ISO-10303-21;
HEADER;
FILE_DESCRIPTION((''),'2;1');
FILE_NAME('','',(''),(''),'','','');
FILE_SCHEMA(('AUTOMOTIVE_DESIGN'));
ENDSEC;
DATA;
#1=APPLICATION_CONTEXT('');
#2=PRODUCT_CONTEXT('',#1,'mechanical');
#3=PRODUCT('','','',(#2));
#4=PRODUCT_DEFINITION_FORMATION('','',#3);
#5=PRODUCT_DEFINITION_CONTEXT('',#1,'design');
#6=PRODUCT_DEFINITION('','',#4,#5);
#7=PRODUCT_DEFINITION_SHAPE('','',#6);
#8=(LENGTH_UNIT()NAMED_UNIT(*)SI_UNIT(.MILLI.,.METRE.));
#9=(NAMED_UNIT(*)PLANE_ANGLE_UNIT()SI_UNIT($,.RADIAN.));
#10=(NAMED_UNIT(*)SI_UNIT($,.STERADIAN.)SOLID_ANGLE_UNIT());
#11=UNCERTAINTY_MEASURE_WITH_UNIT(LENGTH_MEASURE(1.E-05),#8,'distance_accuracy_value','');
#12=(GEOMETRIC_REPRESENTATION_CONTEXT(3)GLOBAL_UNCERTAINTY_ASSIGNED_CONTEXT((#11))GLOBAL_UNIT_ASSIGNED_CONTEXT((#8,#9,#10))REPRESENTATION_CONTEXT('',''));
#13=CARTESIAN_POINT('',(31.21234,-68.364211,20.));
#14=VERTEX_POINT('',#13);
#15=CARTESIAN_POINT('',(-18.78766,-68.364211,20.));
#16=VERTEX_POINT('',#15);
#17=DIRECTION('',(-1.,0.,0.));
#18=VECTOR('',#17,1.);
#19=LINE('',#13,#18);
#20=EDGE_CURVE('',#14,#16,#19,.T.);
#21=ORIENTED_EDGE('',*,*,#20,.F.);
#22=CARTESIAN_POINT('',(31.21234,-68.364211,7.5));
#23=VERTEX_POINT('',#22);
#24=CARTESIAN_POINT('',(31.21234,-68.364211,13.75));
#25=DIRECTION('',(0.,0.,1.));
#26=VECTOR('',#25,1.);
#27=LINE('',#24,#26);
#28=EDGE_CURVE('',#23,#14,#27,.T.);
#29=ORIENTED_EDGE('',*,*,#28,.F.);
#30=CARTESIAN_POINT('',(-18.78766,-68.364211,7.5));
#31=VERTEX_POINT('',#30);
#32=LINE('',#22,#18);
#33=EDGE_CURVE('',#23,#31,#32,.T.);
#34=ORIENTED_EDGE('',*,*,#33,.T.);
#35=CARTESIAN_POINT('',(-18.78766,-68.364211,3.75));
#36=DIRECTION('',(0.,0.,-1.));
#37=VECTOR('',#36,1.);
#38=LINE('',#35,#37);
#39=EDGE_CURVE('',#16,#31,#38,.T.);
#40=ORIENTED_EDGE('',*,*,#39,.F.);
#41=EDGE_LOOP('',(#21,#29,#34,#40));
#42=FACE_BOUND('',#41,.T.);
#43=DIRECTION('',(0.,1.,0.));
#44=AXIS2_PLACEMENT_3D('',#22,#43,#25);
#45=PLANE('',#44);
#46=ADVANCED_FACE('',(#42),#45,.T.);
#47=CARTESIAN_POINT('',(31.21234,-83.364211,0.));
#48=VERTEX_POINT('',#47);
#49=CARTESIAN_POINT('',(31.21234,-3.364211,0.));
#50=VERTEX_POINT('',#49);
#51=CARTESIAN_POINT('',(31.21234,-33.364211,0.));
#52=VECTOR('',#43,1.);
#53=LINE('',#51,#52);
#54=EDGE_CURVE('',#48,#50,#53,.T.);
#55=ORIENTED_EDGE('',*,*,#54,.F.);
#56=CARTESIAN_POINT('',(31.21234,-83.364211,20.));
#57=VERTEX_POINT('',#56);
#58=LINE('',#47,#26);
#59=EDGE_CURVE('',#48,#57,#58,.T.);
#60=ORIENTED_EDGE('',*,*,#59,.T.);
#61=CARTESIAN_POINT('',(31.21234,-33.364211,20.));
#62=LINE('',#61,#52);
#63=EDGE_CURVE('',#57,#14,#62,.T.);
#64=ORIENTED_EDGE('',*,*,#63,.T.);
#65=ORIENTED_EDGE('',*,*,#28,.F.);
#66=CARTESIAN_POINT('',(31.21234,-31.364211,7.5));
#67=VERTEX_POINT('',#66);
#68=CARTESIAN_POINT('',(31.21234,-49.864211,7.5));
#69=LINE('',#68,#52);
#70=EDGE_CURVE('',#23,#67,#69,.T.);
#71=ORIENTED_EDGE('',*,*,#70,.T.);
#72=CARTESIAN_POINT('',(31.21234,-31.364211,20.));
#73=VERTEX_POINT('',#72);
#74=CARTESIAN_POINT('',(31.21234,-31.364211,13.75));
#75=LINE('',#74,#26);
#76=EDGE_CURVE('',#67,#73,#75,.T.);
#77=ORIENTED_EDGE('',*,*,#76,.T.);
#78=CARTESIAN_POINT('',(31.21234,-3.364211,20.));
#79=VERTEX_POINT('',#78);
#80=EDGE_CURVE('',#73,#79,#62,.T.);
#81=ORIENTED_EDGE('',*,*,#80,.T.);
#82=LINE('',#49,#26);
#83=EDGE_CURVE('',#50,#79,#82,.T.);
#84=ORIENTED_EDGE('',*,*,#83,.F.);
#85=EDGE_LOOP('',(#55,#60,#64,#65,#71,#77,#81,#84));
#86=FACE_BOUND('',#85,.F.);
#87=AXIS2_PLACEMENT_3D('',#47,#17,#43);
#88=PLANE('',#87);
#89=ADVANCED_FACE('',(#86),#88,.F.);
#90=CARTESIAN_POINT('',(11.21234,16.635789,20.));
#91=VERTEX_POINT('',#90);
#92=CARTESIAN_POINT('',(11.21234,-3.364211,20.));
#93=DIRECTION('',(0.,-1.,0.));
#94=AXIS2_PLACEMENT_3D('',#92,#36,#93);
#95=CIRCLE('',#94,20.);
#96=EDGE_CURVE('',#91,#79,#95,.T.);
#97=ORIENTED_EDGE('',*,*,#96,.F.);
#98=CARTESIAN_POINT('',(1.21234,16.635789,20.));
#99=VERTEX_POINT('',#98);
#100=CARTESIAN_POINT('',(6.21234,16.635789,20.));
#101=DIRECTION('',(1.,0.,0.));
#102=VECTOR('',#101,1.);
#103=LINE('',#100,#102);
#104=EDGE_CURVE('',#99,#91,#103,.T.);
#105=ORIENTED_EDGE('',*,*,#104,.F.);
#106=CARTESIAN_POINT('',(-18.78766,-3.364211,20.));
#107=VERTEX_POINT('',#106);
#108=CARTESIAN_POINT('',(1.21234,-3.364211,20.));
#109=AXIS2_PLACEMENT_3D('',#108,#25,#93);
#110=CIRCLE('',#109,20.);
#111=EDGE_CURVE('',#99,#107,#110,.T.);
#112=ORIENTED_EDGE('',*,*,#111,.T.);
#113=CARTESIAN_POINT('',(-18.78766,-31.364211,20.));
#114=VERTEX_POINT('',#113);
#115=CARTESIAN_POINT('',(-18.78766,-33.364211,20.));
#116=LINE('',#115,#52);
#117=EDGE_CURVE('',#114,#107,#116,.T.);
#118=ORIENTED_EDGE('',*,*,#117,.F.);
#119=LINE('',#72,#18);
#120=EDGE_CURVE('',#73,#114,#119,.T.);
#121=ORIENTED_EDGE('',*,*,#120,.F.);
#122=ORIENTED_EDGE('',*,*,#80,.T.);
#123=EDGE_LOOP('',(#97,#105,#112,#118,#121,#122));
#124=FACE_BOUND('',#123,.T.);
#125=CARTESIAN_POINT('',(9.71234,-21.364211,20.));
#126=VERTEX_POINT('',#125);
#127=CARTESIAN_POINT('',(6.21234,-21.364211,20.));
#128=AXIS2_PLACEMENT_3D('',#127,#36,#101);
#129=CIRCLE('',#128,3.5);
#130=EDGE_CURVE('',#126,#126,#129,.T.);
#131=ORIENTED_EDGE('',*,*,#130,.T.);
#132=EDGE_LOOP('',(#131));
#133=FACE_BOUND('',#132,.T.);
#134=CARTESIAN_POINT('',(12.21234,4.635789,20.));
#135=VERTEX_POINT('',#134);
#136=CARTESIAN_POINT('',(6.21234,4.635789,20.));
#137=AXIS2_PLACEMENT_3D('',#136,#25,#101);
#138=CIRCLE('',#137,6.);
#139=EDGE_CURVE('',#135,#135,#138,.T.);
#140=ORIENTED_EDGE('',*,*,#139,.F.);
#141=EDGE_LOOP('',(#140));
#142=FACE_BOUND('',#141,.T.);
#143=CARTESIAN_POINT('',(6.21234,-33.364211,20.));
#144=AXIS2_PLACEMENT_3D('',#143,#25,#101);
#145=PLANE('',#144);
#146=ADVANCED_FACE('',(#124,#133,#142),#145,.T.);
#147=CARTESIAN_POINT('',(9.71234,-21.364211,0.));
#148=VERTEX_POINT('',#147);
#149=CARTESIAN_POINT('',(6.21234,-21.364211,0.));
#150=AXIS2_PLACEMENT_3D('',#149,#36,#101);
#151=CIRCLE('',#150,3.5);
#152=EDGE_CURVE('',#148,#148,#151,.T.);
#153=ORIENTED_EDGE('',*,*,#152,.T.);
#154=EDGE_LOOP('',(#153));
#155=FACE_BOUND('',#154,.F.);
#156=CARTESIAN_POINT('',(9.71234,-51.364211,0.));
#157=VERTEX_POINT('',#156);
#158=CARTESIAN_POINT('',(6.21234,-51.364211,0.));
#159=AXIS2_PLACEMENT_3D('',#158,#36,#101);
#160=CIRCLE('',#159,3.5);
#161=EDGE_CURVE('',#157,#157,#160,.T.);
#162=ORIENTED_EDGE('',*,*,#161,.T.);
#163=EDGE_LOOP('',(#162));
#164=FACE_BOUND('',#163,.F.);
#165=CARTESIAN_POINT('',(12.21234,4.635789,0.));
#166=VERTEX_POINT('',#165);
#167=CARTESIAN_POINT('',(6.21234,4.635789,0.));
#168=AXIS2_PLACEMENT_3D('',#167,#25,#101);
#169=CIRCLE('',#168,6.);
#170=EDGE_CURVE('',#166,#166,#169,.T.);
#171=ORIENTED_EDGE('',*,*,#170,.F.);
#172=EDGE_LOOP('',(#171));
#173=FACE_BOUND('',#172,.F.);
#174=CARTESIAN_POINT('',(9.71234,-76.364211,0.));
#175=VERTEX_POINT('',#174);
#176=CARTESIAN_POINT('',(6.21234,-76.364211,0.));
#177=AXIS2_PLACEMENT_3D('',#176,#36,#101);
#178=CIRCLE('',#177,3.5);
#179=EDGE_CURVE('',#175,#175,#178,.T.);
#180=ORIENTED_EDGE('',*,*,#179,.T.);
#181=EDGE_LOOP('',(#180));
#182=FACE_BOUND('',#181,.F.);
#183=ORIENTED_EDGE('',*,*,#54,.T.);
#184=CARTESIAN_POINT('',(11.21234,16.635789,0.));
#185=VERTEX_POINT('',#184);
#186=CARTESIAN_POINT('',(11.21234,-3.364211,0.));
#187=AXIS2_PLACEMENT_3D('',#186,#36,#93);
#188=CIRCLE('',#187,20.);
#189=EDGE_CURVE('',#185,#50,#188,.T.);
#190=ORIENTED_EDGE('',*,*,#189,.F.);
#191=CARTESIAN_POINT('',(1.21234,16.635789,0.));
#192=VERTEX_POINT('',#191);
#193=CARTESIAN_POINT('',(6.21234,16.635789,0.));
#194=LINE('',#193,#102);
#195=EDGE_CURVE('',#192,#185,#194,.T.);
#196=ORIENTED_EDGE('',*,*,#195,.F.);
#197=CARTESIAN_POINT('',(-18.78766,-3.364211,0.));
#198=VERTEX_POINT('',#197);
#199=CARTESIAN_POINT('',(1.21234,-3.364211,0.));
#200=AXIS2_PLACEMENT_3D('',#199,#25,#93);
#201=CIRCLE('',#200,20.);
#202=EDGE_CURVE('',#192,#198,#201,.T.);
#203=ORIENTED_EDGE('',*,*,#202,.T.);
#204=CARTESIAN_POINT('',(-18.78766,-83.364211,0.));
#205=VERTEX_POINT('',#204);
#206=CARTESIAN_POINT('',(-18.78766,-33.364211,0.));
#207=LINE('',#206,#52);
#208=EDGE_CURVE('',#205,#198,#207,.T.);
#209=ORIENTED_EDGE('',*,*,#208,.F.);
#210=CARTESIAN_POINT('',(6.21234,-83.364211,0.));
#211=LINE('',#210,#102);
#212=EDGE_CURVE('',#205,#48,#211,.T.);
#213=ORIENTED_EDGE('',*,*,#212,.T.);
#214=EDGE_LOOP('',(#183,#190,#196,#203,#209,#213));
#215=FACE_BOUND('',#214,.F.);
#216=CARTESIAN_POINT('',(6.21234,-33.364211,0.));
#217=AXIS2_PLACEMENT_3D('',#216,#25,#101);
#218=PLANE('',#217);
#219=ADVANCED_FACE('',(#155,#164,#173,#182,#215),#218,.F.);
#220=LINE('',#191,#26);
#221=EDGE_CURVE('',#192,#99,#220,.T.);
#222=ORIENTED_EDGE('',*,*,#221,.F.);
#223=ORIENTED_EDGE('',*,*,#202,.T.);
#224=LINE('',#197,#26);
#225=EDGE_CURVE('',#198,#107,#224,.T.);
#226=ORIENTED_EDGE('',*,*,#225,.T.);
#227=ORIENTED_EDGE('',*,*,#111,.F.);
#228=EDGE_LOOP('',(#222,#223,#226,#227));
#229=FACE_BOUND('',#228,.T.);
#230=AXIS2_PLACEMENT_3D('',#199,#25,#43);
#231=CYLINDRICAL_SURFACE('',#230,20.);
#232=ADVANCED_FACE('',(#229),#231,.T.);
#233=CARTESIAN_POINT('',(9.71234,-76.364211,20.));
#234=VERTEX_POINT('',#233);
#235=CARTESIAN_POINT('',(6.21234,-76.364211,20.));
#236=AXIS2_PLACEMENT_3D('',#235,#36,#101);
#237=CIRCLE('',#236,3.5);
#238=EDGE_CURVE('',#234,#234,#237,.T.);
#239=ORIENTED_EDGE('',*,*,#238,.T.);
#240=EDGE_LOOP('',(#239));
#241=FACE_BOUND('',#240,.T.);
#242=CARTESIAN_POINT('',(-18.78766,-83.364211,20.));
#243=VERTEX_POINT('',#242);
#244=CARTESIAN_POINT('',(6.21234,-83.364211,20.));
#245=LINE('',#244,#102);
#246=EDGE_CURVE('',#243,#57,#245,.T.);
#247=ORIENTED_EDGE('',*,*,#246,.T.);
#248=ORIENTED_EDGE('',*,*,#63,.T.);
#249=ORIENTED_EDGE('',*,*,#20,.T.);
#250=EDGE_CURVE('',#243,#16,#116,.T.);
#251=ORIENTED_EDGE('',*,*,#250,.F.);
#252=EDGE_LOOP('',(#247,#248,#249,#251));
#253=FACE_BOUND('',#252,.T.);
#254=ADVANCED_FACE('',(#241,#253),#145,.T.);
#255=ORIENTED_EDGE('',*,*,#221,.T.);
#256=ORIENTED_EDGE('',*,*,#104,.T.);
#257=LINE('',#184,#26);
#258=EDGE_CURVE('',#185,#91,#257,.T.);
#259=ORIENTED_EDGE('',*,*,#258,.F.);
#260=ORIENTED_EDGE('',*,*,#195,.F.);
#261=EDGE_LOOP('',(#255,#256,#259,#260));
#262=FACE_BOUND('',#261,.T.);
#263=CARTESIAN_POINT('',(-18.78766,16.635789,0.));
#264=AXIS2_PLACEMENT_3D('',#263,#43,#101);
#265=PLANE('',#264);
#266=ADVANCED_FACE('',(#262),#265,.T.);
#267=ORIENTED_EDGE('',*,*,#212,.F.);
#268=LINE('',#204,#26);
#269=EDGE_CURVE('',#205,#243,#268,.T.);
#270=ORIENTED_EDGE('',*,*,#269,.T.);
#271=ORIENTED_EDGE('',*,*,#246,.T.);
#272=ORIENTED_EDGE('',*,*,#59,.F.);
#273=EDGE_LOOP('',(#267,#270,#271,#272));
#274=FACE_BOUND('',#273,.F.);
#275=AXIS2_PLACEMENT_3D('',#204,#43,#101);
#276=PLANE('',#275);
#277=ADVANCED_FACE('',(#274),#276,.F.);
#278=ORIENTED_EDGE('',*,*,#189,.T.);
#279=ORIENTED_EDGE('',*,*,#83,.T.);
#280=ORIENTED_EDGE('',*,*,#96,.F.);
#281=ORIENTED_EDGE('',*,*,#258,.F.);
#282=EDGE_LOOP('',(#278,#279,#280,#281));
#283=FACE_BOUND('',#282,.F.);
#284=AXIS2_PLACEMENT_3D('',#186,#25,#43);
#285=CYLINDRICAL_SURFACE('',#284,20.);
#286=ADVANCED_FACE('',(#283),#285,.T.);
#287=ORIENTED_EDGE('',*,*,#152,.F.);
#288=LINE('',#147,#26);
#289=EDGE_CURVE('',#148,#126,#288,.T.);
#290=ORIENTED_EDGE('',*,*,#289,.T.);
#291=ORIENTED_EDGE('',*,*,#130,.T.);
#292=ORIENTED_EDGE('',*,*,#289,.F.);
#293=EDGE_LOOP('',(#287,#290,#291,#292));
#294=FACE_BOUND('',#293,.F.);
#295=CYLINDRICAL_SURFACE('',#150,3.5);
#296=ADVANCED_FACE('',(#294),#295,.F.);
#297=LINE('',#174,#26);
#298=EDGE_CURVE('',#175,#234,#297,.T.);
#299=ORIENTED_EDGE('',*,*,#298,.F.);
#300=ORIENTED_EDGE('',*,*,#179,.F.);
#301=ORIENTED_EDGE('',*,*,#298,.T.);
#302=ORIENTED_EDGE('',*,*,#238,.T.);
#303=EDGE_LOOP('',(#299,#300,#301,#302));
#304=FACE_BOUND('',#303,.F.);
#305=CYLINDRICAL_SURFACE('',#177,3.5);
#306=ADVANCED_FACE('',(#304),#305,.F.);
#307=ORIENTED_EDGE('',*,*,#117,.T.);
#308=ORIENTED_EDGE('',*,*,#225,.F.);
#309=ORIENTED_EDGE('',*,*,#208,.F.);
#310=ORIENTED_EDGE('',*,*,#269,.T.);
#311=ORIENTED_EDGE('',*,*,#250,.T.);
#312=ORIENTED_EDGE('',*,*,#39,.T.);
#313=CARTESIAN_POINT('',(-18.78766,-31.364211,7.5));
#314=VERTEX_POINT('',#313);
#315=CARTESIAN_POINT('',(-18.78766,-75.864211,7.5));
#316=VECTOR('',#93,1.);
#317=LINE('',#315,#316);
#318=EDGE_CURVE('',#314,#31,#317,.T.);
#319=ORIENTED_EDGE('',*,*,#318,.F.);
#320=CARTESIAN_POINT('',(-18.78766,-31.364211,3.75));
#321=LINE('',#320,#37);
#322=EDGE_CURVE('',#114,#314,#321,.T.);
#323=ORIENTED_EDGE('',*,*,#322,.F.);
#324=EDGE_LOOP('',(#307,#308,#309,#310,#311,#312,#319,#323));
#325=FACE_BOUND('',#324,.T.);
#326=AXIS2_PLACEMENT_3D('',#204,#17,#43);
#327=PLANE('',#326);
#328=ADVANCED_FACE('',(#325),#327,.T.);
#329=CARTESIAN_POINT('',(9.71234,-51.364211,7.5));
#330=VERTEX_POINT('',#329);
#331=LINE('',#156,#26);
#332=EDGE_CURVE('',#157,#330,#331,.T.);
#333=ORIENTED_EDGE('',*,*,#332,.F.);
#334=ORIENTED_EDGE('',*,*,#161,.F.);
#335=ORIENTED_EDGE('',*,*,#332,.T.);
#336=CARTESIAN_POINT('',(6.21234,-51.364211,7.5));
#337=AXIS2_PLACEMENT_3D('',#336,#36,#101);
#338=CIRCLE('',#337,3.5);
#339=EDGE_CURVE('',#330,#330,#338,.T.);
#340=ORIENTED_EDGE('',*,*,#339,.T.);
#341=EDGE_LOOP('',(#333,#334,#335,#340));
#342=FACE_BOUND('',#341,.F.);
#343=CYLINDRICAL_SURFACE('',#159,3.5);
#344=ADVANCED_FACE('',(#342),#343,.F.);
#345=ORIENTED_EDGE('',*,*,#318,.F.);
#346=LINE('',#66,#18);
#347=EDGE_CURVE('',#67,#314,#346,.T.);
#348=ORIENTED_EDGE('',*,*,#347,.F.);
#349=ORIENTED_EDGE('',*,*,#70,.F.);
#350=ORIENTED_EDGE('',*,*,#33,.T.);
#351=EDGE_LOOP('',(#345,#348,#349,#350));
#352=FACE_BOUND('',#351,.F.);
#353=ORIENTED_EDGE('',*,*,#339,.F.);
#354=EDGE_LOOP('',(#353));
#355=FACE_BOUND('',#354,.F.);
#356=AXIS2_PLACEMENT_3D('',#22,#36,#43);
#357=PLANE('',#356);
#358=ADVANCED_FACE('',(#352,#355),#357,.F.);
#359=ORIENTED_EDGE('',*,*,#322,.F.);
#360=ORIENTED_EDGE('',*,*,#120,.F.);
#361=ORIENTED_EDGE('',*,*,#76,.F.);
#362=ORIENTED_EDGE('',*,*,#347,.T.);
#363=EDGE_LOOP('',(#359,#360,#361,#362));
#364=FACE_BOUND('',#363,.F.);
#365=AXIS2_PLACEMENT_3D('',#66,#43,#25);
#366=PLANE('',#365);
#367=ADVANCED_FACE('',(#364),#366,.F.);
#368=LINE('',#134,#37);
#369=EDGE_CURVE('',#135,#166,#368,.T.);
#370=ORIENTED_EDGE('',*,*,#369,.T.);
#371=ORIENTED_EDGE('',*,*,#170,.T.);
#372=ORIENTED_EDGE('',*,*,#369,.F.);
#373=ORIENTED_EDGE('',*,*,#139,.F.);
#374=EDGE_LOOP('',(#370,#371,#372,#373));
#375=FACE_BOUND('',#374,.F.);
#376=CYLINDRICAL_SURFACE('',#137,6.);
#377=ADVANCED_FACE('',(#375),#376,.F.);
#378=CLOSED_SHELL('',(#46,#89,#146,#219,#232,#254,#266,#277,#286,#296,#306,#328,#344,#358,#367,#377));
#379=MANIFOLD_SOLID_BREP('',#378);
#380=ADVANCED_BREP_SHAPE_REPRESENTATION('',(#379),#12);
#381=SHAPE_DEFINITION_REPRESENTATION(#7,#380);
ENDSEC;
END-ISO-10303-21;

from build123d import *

# Parameters (mm, degrees)
F0_W     = 50
F0_H     = 100
F1_DEPTH = 20
F2_R     = 6
F3_DEPTH = 25
F4_R     = 20
F5_R     = 20
F6_W     = 37
F6_H     = 12.5
F7_DEPTH = 50.001
F8_R     = 3.5
F9_DEPTH = 20.001


with BuildPart() as f1:
    # F0 (on Top) → F1 (new body)
    with BuildSketch(Plane.XY):
        with Locations((6.21234, -33.364211)):
            Rectangle(F0_W, F0_H)
    extrude(amount=F1_DEPTH)

    # F2 (on face) → F3 (cut)
    with BuildSketch(Plane.XY.offset(20)):
        with Locations((6.21234, 4.635789)):
            Circle(F2_R)
    extrude(amount=-F3_DEPTH, mode=Mode.SUBTRACT)

    # F4
    f4_edges = [f1.edges().sort_by_distance(p)[0] for p in [
        (31.21234, 16.635789, 10),
    ]]
    fillet(f4_edges, radius=F4_R)

    # F5
    f5_edges = [f1.edges().sort_by_distance(p)[0] for p in [
        (-18.78766, 16.635789, 10),
    ]]
    fillet(f5_edges, radius=F5_R)

    # F6 (on face) → F7 (cut, through all)
    with BuildSketch(Plane.YZ.offset(31.21234)):
        with Locations((-49.864211, 13.75)):
            Rectangle(F6_W, F6_H)
    extrude(amount=-F7_DEPTH, mode=Mode.SUBTRACT)

    # F8 (on face) → F9 (cut, through all)
    with BuildSketch(Plane(origin=(0, 0, 0), x_dir=(1, 0, 0), z_dir=(0, 0, -1))):
        with Locations((6.21234, 51.364211)):
            Circle(F8_R)
        with Locations((6.21234, 21.364211)):
            Circle(F8_R)
        with Locations((6.21234, 76.364211)):
            Circle(F8_R)
    extrude(amount=-F9_DEPTH, mode=Mode.SUBTRACT)


solid = f1.part
